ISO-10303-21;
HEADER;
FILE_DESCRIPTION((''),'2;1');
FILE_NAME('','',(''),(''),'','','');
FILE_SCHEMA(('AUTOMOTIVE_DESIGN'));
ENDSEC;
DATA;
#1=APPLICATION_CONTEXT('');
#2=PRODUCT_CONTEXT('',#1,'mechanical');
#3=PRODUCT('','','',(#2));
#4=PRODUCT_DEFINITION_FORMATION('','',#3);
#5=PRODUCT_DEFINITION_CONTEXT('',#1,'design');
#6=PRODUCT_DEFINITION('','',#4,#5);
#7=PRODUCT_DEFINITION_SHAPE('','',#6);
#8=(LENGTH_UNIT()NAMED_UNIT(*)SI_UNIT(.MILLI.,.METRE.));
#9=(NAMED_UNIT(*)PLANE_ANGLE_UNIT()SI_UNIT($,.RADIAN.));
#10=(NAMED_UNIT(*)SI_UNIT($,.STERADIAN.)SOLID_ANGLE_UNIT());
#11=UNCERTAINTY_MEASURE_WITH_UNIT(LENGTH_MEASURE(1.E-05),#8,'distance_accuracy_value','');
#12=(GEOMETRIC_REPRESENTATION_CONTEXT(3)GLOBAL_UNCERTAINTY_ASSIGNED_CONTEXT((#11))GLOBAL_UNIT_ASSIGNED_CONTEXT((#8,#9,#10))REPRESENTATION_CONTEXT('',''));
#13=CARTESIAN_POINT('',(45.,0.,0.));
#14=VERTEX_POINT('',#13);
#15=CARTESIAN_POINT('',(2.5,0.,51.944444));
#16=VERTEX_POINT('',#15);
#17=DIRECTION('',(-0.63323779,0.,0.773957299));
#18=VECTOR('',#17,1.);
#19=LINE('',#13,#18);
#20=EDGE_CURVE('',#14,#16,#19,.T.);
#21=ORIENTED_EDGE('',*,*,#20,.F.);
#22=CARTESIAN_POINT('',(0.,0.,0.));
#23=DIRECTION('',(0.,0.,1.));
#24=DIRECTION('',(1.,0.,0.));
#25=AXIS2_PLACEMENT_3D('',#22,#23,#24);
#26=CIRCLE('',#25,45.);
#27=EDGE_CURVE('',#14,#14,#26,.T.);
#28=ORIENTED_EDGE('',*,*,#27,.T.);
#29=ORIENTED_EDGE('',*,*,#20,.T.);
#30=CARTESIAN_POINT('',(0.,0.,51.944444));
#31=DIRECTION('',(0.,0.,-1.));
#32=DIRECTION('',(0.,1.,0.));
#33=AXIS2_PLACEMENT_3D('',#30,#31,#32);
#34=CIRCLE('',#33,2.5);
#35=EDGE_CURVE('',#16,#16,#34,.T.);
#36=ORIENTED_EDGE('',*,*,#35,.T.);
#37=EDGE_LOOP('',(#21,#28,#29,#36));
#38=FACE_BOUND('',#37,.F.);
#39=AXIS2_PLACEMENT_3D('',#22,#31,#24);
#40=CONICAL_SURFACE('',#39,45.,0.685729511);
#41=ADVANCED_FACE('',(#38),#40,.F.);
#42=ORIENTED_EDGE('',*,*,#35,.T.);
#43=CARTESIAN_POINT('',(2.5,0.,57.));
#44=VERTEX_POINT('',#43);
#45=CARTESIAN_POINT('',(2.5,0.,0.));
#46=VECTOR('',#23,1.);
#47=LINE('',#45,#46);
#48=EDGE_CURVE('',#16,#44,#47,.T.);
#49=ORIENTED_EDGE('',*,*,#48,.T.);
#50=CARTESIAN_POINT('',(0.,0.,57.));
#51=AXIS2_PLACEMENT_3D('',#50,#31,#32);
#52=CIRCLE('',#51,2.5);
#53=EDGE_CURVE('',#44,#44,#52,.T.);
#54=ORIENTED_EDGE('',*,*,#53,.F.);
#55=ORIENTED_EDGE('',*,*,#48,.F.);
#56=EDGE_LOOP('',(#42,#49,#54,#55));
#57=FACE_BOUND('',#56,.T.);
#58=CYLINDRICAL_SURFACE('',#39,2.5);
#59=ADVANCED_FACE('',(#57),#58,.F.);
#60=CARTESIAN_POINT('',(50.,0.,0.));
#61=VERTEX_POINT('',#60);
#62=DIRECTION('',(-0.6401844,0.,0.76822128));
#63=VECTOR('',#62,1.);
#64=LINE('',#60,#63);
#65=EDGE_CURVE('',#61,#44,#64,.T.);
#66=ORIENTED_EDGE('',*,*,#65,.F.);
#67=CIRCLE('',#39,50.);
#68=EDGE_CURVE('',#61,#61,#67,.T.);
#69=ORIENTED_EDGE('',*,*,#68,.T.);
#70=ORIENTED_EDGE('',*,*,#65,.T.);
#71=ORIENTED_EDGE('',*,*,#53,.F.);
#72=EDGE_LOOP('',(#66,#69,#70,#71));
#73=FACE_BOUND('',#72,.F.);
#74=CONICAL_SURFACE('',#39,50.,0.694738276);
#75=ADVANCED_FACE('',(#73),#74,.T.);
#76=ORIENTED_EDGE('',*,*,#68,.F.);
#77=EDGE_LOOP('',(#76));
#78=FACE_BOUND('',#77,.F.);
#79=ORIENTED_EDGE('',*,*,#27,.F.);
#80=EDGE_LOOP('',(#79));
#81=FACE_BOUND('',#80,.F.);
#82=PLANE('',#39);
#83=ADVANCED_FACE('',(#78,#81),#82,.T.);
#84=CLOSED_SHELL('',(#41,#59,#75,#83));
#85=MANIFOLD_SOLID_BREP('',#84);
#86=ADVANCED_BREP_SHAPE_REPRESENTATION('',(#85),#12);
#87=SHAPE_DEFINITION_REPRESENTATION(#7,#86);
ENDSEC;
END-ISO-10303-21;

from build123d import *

# Parameters (mm, degrees)
F2_R     = 2.5
F3_DEPTH = 60


with BuildPart() as f1:
    # F0 (on Front) → F1 (revolve)
    with BuildSketch(Plane.XZ):
        Polygon((50, 0), (0, 60), (0, 0), align=None)
    revolve(axis=Axis((0, 0, 30), (0, 0, -1)))

    # F2 (on Top) → F3 (cut)
    with BuildSketch(Plane.XY):
        Circle(F2_R)
    extrude(amount=F3_DEPTH, mode=Mode.SUBTRACT)

    # F4 (on Front) → F5 (revolve, cut)
    with BuildSketch(Plane.XZ):
        Polygon((0, 55), (0, 0), (45, 0), align=None)
    revolve(axis=Axis((0, 0, 27.5), (0, 0, 1)), mode=Mode.SUBTRACT)


solid = f1.part
